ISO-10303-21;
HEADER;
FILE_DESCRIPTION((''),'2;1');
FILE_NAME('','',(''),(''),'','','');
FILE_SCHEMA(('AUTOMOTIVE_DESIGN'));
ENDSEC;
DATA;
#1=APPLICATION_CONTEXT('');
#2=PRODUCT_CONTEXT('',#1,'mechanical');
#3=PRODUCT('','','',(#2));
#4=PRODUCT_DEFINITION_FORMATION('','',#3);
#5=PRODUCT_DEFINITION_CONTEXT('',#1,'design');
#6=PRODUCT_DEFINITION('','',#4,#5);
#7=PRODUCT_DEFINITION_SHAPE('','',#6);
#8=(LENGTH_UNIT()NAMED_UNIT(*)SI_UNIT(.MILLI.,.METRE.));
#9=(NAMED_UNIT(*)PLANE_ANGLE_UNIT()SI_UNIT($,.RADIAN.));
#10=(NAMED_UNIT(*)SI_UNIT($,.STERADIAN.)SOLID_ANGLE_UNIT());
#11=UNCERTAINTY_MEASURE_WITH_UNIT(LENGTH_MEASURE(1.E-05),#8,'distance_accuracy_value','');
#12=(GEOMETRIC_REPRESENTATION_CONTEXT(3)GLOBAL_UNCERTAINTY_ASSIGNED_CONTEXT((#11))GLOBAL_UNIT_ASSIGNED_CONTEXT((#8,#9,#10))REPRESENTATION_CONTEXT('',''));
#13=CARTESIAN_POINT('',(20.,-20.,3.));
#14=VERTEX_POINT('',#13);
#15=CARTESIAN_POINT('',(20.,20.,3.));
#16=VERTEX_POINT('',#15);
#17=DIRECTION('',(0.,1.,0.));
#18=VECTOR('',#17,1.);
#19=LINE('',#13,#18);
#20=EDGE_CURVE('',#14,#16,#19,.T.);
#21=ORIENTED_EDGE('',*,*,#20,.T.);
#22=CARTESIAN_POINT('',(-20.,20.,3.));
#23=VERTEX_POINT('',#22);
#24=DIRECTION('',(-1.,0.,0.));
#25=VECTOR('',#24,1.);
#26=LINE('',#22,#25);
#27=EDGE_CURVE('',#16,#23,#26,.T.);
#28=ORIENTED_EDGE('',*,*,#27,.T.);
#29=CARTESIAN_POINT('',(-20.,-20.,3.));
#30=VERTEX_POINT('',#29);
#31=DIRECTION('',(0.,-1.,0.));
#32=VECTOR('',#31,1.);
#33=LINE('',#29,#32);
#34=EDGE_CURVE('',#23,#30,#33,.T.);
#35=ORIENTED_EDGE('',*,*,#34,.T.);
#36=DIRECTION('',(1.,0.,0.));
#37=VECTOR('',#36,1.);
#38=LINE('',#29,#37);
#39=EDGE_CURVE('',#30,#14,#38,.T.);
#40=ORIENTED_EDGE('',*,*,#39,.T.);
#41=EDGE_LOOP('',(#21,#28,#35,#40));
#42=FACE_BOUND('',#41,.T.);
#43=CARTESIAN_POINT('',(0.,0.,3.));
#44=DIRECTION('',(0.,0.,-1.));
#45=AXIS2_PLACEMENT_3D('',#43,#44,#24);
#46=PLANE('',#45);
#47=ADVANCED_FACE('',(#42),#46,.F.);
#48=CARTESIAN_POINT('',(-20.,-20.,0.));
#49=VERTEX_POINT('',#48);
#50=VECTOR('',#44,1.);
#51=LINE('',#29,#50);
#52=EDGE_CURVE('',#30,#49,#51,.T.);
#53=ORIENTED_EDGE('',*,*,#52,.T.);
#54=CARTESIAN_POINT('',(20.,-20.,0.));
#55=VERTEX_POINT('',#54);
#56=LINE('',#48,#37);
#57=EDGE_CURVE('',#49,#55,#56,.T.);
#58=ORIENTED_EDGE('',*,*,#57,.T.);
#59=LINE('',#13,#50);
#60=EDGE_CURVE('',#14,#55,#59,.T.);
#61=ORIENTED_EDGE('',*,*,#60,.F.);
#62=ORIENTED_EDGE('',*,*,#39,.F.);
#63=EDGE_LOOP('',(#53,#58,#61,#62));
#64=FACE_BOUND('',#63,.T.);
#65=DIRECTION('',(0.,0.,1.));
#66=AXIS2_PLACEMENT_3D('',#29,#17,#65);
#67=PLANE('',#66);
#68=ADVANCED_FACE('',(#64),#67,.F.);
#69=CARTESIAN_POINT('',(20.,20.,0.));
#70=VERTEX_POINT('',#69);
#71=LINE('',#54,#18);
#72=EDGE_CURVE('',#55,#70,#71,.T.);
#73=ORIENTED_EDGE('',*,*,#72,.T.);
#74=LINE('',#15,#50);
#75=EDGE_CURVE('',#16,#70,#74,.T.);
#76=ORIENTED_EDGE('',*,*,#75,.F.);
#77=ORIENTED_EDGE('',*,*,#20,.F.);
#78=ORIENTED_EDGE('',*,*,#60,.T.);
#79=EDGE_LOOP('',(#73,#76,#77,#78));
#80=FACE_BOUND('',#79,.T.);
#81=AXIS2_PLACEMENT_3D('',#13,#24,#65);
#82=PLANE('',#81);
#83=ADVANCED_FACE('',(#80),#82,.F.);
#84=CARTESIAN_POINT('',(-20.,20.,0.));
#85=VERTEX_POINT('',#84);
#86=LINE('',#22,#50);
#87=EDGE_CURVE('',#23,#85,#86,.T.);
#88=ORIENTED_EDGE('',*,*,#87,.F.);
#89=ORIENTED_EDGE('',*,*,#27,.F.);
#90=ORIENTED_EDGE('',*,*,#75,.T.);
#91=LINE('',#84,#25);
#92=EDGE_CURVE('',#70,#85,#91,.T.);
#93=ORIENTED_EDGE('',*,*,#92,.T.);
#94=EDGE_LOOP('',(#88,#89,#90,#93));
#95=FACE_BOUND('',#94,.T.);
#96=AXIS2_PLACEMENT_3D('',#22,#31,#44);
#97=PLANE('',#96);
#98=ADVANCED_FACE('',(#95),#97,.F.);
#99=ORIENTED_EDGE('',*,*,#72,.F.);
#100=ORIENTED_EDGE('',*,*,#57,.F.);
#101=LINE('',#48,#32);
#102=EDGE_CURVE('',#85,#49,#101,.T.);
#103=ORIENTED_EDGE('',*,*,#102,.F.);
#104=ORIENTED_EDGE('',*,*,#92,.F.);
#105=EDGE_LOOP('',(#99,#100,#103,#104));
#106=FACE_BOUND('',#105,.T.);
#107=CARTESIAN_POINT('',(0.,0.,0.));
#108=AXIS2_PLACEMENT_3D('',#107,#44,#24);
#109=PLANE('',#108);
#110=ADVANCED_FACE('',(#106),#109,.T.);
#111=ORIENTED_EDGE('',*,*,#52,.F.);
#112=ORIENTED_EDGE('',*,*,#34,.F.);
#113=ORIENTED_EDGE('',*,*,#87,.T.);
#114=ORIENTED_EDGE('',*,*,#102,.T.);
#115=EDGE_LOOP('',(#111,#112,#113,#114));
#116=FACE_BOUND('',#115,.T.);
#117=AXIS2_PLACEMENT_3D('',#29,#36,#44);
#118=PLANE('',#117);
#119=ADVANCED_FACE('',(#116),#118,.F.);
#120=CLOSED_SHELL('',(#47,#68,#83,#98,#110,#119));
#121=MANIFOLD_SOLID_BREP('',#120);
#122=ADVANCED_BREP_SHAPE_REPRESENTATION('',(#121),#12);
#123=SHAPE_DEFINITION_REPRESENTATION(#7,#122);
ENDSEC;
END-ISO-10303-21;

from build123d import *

# Parameters (mm, degrees)
SKETCH1_W           = 40
SKETCH1_H           = 40
BOSS_EXTRUDE1_DEPTH = 3


with BuildPart() as part:
    # Sketch1 → Boss-Extrude1 (new body)
    with BuildSketch(Plane.XY):
        Rectangle(SKETCH1_W, SKETCH1_H)
    extrude(amount=BOSS_EXTRUDE1_DEPTH)


solid = part.part
